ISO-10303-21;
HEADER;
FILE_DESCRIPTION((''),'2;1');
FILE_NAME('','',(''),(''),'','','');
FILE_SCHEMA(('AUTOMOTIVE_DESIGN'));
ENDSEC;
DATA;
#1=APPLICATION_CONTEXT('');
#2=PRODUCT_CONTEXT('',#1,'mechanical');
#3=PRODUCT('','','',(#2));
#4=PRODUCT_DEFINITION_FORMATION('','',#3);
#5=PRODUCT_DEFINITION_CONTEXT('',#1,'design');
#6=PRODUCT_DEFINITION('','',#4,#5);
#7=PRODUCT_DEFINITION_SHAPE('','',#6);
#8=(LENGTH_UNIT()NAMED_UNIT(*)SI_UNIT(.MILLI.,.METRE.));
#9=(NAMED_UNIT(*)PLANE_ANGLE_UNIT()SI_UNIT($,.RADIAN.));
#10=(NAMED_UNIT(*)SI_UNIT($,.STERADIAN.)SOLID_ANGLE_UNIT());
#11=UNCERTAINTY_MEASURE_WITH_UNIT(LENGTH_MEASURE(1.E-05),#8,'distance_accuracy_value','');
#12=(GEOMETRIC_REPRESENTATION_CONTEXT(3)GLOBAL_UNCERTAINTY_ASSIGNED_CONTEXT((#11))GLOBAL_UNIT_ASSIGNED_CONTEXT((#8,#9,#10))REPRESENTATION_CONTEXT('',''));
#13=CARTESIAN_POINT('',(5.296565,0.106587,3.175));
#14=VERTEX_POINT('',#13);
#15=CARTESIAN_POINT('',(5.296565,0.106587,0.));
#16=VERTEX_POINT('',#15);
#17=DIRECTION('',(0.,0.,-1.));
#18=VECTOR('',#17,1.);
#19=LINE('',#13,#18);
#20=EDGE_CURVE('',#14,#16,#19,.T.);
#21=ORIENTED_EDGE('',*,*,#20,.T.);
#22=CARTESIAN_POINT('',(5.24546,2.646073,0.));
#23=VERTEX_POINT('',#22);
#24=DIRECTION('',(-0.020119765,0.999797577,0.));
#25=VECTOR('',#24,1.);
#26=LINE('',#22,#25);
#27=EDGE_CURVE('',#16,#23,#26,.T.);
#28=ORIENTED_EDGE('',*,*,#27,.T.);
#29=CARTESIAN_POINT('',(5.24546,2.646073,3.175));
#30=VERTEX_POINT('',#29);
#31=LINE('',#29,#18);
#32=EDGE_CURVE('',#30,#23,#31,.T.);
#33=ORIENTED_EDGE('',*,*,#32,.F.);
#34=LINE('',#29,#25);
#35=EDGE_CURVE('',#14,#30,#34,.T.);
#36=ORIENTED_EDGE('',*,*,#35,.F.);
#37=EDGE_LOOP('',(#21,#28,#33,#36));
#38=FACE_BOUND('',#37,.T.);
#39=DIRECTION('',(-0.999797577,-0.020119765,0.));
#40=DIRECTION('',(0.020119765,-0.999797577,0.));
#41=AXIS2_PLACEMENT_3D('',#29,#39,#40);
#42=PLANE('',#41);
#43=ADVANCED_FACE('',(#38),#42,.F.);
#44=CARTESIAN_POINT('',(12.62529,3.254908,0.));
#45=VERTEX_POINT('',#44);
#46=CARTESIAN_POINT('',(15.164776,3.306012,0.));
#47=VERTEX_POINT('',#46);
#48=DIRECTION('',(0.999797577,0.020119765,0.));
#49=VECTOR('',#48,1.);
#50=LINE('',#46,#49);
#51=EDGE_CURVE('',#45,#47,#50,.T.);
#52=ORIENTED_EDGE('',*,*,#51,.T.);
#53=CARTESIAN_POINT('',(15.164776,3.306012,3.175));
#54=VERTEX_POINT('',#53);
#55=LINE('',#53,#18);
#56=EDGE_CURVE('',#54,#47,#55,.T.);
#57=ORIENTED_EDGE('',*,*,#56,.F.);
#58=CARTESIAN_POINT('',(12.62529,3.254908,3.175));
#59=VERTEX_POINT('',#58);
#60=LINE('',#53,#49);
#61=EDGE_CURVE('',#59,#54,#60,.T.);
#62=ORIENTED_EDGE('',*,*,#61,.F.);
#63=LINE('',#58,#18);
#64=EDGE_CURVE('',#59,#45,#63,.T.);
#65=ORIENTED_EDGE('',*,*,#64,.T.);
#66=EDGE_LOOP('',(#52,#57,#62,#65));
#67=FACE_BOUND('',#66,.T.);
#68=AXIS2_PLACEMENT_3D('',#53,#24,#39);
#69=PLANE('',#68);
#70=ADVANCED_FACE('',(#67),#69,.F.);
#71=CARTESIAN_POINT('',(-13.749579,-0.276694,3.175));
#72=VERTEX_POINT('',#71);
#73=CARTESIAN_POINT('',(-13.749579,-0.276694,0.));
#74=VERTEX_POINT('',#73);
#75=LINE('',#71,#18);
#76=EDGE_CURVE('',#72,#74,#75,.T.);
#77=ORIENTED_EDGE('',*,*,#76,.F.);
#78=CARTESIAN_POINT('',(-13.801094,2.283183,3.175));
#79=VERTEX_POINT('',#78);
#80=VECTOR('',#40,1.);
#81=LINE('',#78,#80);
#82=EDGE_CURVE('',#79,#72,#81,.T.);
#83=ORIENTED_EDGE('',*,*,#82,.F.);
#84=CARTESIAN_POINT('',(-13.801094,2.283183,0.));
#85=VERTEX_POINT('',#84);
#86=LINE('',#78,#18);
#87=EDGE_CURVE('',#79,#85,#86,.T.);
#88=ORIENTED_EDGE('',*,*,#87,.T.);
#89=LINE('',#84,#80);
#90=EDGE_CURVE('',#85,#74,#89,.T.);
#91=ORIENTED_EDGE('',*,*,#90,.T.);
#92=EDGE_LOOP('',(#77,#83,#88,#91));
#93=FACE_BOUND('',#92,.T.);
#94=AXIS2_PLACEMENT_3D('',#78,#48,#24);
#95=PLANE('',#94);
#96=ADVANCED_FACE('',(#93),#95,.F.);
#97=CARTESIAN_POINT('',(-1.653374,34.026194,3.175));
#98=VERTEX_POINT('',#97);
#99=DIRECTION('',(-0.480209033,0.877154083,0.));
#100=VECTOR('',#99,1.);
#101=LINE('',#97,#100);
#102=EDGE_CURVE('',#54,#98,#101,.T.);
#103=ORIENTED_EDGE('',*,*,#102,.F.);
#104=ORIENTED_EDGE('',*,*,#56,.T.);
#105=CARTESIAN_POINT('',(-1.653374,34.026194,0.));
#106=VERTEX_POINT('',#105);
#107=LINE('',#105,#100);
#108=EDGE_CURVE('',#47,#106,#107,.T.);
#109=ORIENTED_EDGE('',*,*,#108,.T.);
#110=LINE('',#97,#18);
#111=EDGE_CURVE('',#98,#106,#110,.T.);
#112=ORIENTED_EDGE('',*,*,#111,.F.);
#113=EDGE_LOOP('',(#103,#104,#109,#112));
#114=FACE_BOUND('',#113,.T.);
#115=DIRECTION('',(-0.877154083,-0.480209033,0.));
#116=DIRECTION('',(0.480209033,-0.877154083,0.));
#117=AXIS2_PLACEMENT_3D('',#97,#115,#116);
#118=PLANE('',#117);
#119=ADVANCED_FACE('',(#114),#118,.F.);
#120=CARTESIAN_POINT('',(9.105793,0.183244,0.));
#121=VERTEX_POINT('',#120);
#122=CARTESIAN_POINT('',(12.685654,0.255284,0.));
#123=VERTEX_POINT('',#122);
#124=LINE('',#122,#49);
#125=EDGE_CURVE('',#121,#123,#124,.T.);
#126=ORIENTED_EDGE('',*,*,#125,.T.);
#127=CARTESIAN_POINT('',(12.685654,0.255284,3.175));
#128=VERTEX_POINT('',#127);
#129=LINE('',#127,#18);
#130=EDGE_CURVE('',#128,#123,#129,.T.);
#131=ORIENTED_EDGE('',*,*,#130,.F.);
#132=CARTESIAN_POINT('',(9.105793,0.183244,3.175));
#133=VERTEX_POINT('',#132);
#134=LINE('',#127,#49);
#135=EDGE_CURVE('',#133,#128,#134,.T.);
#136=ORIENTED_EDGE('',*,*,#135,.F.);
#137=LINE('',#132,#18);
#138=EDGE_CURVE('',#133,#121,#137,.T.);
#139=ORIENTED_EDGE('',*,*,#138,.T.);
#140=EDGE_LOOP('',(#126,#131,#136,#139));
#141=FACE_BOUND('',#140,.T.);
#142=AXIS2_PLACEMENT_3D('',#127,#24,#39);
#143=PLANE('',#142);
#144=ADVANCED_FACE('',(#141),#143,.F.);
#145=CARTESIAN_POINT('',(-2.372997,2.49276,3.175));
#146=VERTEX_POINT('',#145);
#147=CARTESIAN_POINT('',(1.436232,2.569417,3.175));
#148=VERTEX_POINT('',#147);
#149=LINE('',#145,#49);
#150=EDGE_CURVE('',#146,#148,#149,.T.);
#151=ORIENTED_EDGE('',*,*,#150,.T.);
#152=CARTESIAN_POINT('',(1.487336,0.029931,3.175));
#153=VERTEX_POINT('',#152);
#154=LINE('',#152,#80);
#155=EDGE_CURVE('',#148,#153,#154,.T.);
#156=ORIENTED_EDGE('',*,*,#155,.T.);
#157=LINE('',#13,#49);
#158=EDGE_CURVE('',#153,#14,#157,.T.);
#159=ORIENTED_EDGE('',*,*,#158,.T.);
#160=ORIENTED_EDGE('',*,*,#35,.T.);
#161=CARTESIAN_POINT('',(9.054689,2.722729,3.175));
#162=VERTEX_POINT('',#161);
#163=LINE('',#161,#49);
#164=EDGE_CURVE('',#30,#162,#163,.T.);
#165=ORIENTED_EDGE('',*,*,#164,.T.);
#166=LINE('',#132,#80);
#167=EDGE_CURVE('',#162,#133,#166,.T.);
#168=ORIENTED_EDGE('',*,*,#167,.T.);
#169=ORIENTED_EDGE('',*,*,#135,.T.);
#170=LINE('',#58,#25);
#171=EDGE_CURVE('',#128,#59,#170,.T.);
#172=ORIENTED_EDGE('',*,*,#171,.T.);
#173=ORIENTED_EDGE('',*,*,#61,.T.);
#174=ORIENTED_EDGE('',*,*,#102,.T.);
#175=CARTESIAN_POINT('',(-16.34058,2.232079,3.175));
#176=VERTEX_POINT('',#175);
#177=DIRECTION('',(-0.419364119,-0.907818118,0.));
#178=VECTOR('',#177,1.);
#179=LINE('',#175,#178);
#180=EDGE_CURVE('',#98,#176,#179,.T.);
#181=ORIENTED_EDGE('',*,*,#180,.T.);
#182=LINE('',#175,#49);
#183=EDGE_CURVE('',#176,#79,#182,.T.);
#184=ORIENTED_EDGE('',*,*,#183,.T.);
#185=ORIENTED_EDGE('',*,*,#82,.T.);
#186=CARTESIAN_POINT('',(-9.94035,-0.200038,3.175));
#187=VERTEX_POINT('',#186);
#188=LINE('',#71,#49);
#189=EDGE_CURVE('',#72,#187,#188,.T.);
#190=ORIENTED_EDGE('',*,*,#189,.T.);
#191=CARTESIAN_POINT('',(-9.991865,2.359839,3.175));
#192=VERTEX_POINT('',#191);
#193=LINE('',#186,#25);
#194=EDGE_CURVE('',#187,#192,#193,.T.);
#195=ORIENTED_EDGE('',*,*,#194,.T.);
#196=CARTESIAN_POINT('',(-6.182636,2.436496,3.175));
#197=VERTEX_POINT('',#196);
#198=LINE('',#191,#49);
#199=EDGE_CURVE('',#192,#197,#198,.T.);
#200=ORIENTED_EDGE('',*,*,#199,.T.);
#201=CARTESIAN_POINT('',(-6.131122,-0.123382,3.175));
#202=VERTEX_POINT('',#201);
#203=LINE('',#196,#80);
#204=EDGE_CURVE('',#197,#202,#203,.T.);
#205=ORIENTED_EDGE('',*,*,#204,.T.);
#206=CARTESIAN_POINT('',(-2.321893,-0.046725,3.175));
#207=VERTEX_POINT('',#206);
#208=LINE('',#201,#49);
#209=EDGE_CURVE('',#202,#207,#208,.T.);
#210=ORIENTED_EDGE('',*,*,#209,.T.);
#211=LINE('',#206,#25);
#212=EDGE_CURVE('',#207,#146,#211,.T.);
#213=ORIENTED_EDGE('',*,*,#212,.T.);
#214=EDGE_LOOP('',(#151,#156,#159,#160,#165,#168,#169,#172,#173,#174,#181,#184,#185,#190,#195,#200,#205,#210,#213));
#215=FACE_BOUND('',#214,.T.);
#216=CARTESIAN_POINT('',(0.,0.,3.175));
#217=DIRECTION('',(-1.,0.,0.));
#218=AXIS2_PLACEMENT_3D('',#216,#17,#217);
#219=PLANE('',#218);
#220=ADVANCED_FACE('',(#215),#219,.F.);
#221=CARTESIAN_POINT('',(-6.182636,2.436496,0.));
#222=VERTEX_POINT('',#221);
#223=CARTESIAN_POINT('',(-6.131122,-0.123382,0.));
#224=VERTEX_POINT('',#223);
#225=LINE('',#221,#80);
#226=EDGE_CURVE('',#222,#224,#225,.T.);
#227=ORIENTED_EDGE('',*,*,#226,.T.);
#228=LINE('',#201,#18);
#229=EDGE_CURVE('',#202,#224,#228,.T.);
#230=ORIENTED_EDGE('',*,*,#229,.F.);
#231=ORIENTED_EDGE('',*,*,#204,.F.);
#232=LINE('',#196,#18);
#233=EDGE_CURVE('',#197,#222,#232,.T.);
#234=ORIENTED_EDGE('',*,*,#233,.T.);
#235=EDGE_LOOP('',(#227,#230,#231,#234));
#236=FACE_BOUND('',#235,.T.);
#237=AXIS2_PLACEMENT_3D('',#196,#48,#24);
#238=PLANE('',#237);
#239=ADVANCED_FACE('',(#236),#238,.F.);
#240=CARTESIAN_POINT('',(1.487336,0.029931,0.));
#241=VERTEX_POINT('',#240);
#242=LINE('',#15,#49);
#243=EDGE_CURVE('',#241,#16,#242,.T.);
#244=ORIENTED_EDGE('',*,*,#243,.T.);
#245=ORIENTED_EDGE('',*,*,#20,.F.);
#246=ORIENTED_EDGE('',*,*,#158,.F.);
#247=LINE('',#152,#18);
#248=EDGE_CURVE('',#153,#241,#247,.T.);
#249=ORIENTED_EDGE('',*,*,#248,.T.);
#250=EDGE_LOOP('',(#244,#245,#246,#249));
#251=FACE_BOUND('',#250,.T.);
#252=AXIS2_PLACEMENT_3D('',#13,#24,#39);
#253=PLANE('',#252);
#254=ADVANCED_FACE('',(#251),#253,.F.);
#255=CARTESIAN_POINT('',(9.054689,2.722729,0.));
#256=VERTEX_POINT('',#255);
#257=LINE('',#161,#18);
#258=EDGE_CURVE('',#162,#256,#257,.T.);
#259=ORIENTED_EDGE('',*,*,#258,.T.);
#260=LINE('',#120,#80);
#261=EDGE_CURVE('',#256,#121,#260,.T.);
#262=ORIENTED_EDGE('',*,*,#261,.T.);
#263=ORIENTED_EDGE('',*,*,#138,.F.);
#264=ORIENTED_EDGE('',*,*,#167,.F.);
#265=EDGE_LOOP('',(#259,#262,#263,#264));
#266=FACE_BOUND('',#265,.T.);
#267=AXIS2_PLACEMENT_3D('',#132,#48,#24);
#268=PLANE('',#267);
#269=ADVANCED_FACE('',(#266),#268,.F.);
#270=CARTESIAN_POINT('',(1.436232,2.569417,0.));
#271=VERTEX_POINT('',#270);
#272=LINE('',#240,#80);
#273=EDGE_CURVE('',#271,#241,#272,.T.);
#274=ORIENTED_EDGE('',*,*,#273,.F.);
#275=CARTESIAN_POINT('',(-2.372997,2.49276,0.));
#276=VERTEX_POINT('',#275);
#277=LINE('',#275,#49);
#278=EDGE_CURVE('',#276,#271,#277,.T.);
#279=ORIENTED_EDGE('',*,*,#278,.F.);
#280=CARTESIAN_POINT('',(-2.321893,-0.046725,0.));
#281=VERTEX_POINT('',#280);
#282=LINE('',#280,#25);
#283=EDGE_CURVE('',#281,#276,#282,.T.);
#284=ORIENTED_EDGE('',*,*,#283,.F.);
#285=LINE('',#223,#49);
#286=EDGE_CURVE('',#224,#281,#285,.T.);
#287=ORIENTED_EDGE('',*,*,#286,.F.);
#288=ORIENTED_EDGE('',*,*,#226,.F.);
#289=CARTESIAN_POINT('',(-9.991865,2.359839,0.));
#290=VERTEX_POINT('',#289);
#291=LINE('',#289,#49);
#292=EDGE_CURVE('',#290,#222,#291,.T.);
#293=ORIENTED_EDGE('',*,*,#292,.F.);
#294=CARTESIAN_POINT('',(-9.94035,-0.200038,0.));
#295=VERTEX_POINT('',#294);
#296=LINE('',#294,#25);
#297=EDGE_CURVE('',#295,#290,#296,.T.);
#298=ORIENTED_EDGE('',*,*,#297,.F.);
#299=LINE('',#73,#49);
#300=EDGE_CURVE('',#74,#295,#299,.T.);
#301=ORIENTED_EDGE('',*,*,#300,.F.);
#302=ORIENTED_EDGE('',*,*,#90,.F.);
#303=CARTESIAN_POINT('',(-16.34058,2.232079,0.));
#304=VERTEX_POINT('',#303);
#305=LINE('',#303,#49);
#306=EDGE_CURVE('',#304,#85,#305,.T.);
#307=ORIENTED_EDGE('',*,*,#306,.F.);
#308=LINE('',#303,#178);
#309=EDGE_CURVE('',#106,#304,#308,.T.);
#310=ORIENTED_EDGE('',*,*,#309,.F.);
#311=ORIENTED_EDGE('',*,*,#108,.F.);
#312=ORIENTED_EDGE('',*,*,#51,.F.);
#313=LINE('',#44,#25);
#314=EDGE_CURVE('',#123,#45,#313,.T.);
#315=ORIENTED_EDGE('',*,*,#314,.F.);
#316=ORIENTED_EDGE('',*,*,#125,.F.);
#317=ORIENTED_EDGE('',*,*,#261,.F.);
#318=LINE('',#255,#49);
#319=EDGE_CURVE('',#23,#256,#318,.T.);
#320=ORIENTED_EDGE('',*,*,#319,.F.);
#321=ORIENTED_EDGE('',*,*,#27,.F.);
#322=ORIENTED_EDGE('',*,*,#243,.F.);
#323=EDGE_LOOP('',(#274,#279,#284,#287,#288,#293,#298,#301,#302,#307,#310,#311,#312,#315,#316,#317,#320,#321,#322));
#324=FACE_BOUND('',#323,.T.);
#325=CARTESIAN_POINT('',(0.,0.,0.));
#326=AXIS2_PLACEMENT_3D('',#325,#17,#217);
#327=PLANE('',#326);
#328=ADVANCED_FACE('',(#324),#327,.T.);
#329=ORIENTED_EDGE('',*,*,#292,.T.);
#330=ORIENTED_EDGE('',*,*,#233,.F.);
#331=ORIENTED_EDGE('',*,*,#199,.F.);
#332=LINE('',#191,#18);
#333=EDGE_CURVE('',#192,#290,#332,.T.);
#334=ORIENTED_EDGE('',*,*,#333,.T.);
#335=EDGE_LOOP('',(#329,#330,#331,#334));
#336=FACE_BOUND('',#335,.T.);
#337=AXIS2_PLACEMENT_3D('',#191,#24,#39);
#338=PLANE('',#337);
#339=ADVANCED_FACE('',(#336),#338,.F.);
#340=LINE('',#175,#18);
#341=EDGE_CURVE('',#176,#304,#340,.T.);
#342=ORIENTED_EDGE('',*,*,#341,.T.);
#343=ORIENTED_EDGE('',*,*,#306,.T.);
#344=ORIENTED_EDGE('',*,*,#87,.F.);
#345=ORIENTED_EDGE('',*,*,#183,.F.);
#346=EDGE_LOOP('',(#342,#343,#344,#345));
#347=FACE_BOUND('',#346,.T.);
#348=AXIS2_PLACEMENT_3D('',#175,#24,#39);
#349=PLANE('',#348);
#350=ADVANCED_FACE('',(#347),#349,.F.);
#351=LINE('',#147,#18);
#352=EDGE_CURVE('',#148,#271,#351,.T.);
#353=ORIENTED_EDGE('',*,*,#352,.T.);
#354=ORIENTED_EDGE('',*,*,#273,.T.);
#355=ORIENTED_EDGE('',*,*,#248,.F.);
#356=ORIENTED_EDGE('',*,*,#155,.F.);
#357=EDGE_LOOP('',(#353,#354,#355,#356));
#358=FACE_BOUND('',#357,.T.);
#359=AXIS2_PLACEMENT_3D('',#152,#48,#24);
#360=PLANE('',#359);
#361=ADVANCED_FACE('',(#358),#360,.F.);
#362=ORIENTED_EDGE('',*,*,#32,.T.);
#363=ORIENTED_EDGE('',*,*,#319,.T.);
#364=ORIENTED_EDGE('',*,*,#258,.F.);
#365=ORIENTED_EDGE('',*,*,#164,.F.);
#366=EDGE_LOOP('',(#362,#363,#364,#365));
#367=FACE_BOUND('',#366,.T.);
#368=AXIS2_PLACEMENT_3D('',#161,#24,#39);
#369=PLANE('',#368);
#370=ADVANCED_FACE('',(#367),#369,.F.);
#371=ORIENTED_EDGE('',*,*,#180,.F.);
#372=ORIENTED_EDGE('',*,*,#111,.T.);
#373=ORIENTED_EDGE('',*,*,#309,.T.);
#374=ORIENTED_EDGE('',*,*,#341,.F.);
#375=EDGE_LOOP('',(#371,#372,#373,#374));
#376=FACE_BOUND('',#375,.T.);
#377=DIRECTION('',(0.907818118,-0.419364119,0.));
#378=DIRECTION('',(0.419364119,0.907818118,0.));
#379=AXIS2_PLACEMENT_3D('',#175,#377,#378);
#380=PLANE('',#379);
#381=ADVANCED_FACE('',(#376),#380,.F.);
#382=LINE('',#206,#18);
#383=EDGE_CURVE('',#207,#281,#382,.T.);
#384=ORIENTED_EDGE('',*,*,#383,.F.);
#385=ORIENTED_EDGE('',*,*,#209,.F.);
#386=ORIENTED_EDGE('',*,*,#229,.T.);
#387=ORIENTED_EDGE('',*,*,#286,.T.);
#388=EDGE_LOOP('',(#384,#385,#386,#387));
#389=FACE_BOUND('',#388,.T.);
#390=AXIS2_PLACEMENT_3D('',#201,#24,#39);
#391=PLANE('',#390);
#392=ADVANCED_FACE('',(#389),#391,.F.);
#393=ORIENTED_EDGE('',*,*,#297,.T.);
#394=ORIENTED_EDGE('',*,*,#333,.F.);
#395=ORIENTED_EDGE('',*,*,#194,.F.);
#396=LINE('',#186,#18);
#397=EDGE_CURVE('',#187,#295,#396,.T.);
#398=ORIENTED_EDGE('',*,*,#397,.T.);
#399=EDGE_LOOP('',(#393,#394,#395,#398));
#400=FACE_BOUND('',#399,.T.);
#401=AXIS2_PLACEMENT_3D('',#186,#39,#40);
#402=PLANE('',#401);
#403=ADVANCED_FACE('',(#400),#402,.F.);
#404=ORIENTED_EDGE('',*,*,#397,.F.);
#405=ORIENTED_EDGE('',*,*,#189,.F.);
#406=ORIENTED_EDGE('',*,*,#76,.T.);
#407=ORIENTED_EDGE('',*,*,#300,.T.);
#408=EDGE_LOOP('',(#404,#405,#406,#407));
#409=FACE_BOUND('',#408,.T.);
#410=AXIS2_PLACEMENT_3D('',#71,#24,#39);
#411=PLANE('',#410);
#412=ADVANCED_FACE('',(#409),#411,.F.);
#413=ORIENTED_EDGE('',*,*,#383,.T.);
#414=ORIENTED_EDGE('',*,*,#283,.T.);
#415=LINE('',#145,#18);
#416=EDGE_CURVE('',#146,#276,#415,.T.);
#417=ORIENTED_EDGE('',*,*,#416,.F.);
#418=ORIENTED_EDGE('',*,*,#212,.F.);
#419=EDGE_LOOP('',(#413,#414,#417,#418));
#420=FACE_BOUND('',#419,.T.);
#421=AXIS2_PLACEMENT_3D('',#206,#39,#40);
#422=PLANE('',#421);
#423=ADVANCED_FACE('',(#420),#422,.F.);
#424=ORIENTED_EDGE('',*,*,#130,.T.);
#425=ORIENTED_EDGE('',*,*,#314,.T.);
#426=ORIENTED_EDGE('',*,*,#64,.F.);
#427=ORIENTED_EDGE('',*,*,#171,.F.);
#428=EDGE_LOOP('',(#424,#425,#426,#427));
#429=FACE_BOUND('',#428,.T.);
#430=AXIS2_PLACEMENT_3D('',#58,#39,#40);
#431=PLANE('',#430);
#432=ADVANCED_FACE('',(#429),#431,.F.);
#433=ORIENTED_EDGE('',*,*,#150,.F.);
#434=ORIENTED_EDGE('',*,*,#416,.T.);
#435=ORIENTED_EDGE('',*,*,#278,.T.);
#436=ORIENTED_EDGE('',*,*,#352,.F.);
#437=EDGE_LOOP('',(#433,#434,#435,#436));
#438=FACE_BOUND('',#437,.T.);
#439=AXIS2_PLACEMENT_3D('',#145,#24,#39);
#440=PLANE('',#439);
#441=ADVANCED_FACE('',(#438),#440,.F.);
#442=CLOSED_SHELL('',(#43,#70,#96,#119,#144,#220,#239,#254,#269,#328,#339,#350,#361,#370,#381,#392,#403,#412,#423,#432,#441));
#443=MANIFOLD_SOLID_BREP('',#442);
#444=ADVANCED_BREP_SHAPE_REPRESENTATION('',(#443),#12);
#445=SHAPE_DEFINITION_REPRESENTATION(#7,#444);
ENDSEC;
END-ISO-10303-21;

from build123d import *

# Parameters (mm, degrees)
BOSS_EXTRUDE1_DEPTH = 3.175


with BuildPart() as part:
    # Sketch1 → Boss-Extrude1 (new body)
    with BuildSketch(Plane.XY):
        Polygon((-16.340579623, 2.232078974), (-1.653374253, 34.026194212), (15.164775792, 3.306012012), (12.625289947, 3.254907807), (12.685653892, 0.255284057), (9.105793396, 0.18324352), (9.054689192, 2.722729366), (5.245460423, 2.64607306), (5.296564628, 0.106587214), (1.487335859, 0.029930907), (1.436231655, 2.569416753), (-2.372997114, 2.492760447), (-2.321892909, -0.046725399), (-6.131121678, -0.123381706), (-6.18263624, 2.436495791), (-9.991865009, 2.359839484), (-9.940350446, -0.200038012), (-13.749579215, -0.276694319), (-13.801093777, 2.283183178), align=None)
    extrude(amount=BOSS_EXTRUDE1_DEPTH)


solid = part.part
